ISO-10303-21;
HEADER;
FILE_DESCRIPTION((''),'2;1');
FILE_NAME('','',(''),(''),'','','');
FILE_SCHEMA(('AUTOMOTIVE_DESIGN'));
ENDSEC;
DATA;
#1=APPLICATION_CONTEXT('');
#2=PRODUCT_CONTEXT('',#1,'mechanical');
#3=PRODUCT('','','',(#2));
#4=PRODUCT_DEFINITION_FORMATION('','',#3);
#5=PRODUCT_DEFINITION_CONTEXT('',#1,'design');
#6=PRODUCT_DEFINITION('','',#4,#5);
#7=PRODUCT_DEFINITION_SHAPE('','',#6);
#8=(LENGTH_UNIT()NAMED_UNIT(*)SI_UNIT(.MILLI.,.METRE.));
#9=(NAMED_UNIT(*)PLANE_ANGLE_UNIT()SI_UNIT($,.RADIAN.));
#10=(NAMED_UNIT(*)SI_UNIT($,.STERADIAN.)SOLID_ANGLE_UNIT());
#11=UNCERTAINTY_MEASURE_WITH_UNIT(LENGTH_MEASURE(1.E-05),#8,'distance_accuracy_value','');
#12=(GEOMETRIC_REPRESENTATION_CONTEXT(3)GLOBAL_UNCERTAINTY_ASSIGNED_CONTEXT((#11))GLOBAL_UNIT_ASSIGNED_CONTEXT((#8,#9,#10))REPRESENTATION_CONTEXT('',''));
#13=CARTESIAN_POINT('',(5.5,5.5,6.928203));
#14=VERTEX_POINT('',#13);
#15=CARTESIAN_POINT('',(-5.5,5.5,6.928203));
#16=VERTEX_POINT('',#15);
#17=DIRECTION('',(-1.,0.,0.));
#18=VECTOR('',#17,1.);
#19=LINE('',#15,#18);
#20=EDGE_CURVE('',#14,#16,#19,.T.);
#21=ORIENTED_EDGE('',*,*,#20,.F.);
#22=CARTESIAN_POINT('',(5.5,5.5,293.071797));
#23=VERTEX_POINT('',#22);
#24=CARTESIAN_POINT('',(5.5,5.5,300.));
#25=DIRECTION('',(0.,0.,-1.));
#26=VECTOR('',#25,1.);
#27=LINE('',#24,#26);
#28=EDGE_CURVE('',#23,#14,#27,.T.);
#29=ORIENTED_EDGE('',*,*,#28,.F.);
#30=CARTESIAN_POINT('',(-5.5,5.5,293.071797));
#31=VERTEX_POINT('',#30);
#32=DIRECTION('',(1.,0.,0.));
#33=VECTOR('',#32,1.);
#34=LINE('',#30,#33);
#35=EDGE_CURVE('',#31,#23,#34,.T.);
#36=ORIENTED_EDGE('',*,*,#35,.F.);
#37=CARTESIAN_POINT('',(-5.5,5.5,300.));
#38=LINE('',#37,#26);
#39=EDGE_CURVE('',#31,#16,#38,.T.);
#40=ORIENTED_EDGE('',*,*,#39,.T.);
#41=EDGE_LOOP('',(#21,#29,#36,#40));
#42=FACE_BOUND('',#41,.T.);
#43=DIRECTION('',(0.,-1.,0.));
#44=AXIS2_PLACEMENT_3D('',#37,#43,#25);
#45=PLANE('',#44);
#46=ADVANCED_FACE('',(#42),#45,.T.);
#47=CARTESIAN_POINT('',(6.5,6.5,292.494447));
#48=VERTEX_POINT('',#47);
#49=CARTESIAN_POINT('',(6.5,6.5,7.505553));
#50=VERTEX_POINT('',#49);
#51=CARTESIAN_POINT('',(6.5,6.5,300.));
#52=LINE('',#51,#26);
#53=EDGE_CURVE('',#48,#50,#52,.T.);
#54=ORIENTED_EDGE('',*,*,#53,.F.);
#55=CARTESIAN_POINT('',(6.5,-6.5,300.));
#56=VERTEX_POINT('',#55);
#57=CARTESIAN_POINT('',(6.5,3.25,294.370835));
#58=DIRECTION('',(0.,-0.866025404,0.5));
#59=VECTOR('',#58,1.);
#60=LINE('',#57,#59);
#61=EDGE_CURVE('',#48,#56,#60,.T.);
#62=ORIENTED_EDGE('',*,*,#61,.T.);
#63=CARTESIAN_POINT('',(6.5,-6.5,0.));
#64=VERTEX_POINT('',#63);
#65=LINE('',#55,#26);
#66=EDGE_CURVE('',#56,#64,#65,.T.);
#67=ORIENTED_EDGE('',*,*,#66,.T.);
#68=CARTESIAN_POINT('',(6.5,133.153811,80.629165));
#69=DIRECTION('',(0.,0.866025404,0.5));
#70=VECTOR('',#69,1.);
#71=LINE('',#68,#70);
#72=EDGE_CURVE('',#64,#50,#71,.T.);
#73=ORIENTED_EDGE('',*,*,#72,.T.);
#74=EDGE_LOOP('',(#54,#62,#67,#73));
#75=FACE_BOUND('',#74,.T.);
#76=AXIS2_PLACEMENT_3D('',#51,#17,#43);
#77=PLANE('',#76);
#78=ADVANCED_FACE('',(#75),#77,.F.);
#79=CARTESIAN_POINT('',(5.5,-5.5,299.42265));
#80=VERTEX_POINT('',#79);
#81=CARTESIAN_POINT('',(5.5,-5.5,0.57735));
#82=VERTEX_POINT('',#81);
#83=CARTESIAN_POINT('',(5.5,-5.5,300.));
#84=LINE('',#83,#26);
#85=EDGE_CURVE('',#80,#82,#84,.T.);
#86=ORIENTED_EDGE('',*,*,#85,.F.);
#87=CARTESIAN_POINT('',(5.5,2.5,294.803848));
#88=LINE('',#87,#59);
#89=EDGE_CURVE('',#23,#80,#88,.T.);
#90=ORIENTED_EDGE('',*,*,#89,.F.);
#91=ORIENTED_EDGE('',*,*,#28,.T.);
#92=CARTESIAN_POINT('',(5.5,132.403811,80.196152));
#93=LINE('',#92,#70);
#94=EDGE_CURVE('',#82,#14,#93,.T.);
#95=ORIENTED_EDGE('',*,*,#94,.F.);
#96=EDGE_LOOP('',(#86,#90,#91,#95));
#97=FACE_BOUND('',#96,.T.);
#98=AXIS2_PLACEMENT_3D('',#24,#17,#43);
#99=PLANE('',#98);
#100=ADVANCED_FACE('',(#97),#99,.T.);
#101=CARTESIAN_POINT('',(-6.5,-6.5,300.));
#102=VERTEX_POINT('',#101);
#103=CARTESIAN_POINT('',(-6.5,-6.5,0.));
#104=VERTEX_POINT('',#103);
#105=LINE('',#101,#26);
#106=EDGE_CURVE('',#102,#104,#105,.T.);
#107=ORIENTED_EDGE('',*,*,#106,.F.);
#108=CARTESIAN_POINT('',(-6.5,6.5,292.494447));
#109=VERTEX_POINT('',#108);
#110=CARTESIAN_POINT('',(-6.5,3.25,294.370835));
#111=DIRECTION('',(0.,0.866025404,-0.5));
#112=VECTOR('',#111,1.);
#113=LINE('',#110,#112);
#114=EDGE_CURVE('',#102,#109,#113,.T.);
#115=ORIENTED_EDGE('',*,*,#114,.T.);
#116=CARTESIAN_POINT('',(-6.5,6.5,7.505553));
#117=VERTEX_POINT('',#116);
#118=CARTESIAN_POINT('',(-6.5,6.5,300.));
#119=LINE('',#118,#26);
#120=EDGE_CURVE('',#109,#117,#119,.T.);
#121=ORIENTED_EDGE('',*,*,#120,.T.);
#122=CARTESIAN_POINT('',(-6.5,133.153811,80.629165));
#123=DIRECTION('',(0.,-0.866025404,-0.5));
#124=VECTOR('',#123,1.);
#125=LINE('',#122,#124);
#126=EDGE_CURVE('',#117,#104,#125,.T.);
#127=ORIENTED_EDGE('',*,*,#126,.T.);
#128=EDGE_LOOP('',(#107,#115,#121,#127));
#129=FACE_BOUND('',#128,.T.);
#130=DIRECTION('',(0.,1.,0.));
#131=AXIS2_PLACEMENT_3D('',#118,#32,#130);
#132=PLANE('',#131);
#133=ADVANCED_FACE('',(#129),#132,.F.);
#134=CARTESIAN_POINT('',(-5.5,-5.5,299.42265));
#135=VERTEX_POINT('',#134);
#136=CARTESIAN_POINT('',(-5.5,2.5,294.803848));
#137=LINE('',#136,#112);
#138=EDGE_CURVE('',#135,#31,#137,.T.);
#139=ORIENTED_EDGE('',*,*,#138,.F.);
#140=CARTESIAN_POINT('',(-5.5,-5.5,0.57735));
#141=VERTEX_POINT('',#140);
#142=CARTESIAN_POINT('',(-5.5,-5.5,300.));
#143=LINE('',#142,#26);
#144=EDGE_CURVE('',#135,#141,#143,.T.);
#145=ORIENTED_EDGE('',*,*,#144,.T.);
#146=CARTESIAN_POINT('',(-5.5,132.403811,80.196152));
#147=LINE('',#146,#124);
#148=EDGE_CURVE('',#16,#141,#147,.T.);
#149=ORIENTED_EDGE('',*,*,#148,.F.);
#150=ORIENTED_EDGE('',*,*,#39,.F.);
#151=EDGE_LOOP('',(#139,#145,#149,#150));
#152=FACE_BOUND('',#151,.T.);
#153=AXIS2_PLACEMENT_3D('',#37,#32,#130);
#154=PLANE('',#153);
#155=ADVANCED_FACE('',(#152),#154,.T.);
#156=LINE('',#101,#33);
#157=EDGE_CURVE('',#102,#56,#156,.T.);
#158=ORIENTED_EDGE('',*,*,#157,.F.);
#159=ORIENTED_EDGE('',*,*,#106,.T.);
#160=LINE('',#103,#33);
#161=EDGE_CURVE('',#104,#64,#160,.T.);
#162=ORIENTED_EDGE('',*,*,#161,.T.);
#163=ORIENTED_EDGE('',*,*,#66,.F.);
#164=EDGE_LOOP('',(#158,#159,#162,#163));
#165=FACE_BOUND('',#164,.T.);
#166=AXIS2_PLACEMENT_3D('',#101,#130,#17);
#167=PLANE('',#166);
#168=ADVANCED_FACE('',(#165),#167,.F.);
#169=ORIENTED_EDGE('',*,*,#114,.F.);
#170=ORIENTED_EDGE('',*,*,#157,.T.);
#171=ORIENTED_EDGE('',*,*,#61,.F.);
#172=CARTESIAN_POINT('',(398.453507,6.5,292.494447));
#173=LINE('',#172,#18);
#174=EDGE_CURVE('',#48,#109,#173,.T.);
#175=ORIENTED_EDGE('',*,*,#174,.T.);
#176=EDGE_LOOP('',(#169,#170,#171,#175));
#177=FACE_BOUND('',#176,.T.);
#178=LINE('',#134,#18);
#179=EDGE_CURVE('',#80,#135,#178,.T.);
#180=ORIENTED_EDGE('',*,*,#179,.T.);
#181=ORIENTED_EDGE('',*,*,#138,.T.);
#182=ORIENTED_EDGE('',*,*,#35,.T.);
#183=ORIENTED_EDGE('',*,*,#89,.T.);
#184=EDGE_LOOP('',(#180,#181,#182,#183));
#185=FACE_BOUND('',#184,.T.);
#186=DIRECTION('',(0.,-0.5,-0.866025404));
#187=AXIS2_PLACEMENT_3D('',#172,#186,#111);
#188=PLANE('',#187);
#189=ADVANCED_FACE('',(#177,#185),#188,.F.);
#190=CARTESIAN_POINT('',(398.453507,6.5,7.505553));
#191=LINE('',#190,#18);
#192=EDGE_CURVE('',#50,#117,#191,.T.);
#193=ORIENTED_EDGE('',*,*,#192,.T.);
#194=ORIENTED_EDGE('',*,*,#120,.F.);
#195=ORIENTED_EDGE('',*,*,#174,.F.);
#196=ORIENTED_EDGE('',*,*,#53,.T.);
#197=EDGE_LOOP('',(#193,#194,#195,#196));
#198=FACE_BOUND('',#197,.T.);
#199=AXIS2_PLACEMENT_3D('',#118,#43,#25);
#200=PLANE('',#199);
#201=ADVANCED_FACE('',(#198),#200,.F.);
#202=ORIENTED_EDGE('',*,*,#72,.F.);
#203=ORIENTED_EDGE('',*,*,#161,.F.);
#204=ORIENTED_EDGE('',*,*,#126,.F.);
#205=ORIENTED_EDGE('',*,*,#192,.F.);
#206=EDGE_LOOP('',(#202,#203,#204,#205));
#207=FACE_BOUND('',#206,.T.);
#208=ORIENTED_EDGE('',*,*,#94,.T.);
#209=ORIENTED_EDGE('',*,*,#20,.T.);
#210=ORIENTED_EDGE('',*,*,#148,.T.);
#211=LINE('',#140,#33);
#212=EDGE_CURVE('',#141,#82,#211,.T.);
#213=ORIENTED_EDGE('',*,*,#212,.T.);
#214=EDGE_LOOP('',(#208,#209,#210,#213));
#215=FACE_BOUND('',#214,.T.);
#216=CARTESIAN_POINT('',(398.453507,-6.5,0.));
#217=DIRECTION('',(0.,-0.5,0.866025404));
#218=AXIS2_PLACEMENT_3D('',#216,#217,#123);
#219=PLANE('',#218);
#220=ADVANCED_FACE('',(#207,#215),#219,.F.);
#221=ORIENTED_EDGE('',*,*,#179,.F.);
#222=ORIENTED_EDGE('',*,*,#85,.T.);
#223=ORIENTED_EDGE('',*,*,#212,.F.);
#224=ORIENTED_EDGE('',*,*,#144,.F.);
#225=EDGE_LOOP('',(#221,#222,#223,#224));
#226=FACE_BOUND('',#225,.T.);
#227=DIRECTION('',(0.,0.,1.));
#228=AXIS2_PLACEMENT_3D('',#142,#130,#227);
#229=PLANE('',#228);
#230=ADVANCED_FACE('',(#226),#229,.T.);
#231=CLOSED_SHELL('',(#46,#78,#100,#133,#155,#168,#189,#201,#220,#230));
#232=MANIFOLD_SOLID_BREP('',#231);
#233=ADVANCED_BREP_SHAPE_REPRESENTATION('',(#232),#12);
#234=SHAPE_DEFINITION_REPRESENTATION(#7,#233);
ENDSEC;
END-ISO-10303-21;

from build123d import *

# Parameters (mm, degrees)
SKETCH1_W               = 13
SKETCH1_H               = 13
SKETCH1_W_2             = 11
SKETCH1_H_2             = 11
BOSS_EXTRUDE1_DEPTH     = 300
CUT_EXTRUDE2_DEPTH      = 1
CUT_EXTRUDE2_DEPTH_BACK = 14
CUT_EXTRUDE3_DEPTH      = 1
CUT_EXTRUDE3_DEPTH_BACK = 14


with BuildPart() as part:
    # Sketch1 → Boss-Extrude1 (new body)
    with BuildSketch(Plane.XY):
        Rectangle(SKETCH1_W, SKETCH1_H)
        Rectangle(SKETCH1_W_2, SKETCH1_H_2, mode=Mode.SUBTRACT)
    extrude(amount=BOSS_EXTRUDE1_DEPTH)

    # Sketch2 → Cut-Extrude2 (cut, two sides)
    with BuildSketch(Plane(origin=(6.5, 0, 0), x_dir=(0, 0, -1), z_dir=(1, 0, 0))) as cut_extrude2_sk:
        Polygon((12.787088063, 535.263128477), (-292.494446501, 6.5), (-300, -6.5), (-605.281534564, -535.263128477), (-1662.807791518, 75.299940651), (-1044.739168891, 1145.826197605), align=None)
    extrude(amount=CUT_EXTRUDE2_DEPTH, mode=Mode.SUBTRACT)
    extrude(cut_extrude2_sk.sketch, amount=-CUT_EXTRUDE2_DEPTH_BACK, mode=Mode.SUBTRACT)

    # Sketch3 → Cut-Extrude3 (cut, two sides)
    with BuildSketch(Plane(origin=(6.5, 0, 0), x_dir=(0, 0, -1), z_dir=(1, 0, 0))) as cut_extrude3_sk:
        Polygon((305.281534564, -535.263128477), (0, -6.5), (-7.505553499, 6.5), (-312.787088063, 535.263128477), (744.739168891, 1145.826197605), (1362.807791518, 75.299940651), align=None)
    extrude(amount=CUT_EXTRUDE3_DEPTH, mode=Mode.SUBTRACT)
    extrude(cut_extrude3_sk.sketch, amount=-CUT_EXTRUDE3_DEPTH_BACK, mode=Mode.SUBTRACT)


solid = part.part
